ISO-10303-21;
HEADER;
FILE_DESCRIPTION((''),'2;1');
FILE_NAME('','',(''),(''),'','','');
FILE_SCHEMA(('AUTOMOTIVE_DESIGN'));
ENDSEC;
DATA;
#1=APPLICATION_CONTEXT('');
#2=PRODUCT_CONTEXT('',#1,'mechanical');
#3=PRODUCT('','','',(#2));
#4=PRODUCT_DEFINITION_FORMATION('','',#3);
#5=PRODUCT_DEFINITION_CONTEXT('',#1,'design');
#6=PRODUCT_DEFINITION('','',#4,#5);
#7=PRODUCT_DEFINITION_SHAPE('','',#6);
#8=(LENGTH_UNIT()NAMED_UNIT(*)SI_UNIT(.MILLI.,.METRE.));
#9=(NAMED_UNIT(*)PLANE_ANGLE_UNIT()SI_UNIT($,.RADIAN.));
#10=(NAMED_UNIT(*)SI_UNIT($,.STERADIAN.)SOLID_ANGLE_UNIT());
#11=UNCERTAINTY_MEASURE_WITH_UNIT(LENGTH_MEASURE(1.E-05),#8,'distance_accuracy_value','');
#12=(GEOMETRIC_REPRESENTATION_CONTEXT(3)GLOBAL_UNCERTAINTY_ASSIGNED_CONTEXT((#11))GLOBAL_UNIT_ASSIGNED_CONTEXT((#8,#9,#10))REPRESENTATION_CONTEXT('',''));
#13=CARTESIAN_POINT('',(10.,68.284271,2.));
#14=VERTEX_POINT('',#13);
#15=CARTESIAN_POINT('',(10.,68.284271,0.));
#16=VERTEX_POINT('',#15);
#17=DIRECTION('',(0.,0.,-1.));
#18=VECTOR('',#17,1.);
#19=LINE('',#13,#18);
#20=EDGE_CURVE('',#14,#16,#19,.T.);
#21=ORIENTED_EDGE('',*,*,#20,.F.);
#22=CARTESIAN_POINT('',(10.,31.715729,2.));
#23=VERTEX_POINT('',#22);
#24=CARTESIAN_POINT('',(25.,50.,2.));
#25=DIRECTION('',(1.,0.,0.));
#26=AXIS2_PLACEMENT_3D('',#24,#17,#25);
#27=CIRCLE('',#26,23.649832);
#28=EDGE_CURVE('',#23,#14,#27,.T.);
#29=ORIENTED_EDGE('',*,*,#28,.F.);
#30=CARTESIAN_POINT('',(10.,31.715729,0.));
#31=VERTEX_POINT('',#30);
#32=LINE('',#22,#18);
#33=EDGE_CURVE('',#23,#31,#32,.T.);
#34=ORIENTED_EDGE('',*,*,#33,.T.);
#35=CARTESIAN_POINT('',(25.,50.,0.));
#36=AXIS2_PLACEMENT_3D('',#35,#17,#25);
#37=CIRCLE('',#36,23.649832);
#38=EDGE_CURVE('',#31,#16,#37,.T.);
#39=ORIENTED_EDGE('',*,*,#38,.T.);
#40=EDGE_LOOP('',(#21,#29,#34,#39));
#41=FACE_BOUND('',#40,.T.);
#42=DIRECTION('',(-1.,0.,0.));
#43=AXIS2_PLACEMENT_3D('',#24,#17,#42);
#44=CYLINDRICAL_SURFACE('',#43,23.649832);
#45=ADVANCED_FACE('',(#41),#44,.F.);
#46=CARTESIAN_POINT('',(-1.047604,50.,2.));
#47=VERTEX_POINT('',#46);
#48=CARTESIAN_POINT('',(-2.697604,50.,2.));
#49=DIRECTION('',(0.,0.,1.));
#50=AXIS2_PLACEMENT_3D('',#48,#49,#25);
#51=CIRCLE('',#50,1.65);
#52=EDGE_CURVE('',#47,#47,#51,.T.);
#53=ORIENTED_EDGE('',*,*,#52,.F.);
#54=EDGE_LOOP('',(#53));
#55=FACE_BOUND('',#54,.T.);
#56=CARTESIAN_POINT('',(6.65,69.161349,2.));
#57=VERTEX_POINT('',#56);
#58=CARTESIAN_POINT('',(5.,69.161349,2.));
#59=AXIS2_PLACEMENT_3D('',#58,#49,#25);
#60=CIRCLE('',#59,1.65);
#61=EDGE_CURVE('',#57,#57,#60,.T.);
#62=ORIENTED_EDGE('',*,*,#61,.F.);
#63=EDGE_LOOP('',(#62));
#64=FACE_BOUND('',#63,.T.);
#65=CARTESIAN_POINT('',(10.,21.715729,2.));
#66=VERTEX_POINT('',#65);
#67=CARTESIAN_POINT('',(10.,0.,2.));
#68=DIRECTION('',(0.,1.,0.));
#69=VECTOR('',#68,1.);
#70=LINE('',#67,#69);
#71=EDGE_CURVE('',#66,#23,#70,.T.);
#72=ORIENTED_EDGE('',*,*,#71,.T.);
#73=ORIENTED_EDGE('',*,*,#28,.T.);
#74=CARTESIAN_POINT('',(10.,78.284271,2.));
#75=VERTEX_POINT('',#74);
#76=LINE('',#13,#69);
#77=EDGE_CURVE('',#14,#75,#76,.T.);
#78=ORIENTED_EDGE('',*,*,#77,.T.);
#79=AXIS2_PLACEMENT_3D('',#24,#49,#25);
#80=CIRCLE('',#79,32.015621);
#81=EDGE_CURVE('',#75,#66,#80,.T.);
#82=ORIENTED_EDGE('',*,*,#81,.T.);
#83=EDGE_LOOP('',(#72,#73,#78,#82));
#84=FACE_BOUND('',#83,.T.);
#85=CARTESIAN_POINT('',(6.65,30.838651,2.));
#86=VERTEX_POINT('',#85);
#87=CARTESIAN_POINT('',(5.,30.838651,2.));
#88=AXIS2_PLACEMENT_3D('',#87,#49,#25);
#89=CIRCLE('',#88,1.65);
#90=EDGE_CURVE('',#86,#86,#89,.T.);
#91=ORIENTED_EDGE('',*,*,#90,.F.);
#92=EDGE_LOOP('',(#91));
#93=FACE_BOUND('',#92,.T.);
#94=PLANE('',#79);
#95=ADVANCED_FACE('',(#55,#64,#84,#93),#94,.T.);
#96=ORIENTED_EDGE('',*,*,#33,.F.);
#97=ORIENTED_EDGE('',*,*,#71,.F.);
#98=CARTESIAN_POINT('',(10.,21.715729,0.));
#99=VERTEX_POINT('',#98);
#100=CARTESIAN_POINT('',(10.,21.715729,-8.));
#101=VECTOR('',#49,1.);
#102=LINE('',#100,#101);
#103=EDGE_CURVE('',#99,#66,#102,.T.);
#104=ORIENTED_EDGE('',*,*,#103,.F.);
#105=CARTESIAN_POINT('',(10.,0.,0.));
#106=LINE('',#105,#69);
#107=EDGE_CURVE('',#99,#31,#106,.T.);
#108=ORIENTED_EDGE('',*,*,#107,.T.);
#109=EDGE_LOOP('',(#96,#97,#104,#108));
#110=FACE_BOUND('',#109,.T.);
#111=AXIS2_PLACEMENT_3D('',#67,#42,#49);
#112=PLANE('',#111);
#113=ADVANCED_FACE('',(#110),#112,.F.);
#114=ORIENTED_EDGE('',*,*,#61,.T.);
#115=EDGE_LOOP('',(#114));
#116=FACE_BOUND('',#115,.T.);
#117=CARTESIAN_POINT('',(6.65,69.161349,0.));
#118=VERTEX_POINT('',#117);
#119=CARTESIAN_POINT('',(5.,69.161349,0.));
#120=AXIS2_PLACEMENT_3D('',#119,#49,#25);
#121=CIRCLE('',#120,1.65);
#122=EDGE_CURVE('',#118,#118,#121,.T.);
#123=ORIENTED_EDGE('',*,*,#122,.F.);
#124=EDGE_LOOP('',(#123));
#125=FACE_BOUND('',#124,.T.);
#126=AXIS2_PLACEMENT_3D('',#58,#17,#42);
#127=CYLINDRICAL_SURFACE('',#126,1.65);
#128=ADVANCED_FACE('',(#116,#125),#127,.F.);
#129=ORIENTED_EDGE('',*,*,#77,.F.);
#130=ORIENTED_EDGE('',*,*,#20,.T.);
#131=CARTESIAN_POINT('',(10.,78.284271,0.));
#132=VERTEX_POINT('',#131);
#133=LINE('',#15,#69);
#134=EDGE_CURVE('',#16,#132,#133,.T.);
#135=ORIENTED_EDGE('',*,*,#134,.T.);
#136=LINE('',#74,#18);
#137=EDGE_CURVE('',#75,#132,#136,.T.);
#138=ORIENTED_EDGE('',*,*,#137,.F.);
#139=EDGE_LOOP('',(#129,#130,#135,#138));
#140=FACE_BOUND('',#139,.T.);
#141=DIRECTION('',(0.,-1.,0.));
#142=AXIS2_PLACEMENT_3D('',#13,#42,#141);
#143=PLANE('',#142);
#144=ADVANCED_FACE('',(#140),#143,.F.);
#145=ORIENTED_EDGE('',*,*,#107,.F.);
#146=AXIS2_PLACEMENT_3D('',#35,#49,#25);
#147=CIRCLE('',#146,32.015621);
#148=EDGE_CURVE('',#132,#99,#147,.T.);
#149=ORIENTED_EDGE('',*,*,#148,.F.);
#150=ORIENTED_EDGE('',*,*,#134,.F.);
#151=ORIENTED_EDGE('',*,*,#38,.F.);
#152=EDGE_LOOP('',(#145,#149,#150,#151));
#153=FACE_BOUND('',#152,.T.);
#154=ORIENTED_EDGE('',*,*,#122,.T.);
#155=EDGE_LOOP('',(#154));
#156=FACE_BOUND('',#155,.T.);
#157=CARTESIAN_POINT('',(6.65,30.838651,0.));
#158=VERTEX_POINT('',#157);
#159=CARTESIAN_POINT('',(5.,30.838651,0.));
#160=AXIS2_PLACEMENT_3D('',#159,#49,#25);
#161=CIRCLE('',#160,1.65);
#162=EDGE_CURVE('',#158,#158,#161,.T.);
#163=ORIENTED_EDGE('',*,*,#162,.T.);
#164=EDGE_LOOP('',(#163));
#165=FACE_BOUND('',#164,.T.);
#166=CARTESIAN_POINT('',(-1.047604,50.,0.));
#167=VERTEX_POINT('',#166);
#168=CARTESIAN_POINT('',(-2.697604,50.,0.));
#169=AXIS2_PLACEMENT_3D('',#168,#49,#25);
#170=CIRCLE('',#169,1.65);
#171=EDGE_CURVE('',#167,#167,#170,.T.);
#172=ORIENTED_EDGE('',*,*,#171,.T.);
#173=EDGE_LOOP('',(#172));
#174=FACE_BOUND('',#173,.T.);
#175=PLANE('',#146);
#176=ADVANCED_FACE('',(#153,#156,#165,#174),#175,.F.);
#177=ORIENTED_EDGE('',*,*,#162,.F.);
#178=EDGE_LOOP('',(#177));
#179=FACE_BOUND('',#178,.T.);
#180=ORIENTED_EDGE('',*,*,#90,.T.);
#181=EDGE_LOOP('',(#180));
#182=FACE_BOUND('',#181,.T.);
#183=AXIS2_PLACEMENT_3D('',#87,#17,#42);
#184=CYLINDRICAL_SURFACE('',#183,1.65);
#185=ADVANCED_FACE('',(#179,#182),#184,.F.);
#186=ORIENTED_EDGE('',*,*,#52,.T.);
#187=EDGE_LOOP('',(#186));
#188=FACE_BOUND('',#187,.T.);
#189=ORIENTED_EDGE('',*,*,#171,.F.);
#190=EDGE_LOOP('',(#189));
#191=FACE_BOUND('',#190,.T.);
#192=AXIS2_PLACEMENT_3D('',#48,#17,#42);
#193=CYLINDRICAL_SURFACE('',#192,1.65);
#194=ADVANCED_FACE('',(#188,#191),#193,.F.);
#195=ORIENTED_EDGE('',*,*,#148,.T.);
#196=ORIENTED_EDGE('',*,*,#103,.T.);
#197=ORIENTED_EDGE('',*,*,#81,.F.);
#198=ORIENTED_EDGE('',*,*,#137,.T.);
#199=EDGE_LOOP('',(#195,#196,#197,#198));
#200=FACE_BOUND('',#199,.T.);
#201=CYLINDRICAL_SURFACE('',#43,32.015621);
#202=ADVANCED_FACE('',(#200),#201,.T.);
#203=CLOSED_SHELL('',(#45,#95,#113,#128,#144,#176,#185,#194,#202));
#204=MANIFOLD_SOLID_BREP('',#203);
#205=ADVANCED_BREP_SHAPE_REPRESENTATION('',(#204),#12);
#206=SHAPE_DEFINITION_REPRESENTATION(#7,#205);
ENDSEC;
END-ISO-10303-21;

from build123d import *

# Parameters (mm, degrees)
SKETCH_1_R          = 1.65
EXTRUDE_1_DEPTH     = 2
SKETCH_2_OUTSIDE_W  = 35.044
SKETCH_2_OUTSIDE_H  = 96.312
SKETCH_2_OUTSIDE_R  = 32.015621187
CUT_EXTRUDE_1_DEPTH = 10


with BuildPart() as part:
    # 草图1 → 凸台-拉伸1 (new body)
    with BuildSketch(Plane.XY):
        with BuildLine():
            Line((10, 68.284271247), (10, 78.284271247))
            ThreePointArc((10, 78.284271247), (-6.350322366, 56.492864354), (0, 30))
            Line((0, 30), (0, 0))
            Line((0, 0), (10, 0))
            Line((10, 0), (10, 31.715728753))
            ThreePointArc((10, 31.715728753), (1.350167547, 50), (10, 68.284271247))
        make_face()
        with Locations((5, 5)):
            Circle(SKETCH_1_R, mode=Mode.SUBTRACT)
        with Locations((5, 17)):
            Circle(SKETCH_1_R, mode=Mode.SUBTRACT)
        with Locations((-2.697604364, 50)):
            Circle(SKETCH_1_R, mode=Mode.SUBTRACT)
        with Locations((5, 69.161348792)):
            Circle(SKETCH_1_R, mode=Mode.SUBTRACT)
        with Locations((5, 30.838651208)):
            Circle(SKETCH_1_R, mode=Mode.SUBTRACT)
    extrude(amount=EXTRUDE_1_DEPTH)

    # 草图2 outside → 切除-拉伸1 (cut)
    with BuildSketch(Plane.XY.offset(2)):
        with Locations((1.492, 39.142)):
            Rectangle(SKETCH_2_OUTSIDE_W, SKETCH_2_OUTSIDE_H)
        with Locations((25, 50)):
            Circle(SKETCH_2_OUTSIDE_R, mode=Mode.SUBTRACT)
    extrude(amount=-CUT_EXTRUDE_1_DEPTH, mode=Mode.SUBTRACT)


solid = part.part
